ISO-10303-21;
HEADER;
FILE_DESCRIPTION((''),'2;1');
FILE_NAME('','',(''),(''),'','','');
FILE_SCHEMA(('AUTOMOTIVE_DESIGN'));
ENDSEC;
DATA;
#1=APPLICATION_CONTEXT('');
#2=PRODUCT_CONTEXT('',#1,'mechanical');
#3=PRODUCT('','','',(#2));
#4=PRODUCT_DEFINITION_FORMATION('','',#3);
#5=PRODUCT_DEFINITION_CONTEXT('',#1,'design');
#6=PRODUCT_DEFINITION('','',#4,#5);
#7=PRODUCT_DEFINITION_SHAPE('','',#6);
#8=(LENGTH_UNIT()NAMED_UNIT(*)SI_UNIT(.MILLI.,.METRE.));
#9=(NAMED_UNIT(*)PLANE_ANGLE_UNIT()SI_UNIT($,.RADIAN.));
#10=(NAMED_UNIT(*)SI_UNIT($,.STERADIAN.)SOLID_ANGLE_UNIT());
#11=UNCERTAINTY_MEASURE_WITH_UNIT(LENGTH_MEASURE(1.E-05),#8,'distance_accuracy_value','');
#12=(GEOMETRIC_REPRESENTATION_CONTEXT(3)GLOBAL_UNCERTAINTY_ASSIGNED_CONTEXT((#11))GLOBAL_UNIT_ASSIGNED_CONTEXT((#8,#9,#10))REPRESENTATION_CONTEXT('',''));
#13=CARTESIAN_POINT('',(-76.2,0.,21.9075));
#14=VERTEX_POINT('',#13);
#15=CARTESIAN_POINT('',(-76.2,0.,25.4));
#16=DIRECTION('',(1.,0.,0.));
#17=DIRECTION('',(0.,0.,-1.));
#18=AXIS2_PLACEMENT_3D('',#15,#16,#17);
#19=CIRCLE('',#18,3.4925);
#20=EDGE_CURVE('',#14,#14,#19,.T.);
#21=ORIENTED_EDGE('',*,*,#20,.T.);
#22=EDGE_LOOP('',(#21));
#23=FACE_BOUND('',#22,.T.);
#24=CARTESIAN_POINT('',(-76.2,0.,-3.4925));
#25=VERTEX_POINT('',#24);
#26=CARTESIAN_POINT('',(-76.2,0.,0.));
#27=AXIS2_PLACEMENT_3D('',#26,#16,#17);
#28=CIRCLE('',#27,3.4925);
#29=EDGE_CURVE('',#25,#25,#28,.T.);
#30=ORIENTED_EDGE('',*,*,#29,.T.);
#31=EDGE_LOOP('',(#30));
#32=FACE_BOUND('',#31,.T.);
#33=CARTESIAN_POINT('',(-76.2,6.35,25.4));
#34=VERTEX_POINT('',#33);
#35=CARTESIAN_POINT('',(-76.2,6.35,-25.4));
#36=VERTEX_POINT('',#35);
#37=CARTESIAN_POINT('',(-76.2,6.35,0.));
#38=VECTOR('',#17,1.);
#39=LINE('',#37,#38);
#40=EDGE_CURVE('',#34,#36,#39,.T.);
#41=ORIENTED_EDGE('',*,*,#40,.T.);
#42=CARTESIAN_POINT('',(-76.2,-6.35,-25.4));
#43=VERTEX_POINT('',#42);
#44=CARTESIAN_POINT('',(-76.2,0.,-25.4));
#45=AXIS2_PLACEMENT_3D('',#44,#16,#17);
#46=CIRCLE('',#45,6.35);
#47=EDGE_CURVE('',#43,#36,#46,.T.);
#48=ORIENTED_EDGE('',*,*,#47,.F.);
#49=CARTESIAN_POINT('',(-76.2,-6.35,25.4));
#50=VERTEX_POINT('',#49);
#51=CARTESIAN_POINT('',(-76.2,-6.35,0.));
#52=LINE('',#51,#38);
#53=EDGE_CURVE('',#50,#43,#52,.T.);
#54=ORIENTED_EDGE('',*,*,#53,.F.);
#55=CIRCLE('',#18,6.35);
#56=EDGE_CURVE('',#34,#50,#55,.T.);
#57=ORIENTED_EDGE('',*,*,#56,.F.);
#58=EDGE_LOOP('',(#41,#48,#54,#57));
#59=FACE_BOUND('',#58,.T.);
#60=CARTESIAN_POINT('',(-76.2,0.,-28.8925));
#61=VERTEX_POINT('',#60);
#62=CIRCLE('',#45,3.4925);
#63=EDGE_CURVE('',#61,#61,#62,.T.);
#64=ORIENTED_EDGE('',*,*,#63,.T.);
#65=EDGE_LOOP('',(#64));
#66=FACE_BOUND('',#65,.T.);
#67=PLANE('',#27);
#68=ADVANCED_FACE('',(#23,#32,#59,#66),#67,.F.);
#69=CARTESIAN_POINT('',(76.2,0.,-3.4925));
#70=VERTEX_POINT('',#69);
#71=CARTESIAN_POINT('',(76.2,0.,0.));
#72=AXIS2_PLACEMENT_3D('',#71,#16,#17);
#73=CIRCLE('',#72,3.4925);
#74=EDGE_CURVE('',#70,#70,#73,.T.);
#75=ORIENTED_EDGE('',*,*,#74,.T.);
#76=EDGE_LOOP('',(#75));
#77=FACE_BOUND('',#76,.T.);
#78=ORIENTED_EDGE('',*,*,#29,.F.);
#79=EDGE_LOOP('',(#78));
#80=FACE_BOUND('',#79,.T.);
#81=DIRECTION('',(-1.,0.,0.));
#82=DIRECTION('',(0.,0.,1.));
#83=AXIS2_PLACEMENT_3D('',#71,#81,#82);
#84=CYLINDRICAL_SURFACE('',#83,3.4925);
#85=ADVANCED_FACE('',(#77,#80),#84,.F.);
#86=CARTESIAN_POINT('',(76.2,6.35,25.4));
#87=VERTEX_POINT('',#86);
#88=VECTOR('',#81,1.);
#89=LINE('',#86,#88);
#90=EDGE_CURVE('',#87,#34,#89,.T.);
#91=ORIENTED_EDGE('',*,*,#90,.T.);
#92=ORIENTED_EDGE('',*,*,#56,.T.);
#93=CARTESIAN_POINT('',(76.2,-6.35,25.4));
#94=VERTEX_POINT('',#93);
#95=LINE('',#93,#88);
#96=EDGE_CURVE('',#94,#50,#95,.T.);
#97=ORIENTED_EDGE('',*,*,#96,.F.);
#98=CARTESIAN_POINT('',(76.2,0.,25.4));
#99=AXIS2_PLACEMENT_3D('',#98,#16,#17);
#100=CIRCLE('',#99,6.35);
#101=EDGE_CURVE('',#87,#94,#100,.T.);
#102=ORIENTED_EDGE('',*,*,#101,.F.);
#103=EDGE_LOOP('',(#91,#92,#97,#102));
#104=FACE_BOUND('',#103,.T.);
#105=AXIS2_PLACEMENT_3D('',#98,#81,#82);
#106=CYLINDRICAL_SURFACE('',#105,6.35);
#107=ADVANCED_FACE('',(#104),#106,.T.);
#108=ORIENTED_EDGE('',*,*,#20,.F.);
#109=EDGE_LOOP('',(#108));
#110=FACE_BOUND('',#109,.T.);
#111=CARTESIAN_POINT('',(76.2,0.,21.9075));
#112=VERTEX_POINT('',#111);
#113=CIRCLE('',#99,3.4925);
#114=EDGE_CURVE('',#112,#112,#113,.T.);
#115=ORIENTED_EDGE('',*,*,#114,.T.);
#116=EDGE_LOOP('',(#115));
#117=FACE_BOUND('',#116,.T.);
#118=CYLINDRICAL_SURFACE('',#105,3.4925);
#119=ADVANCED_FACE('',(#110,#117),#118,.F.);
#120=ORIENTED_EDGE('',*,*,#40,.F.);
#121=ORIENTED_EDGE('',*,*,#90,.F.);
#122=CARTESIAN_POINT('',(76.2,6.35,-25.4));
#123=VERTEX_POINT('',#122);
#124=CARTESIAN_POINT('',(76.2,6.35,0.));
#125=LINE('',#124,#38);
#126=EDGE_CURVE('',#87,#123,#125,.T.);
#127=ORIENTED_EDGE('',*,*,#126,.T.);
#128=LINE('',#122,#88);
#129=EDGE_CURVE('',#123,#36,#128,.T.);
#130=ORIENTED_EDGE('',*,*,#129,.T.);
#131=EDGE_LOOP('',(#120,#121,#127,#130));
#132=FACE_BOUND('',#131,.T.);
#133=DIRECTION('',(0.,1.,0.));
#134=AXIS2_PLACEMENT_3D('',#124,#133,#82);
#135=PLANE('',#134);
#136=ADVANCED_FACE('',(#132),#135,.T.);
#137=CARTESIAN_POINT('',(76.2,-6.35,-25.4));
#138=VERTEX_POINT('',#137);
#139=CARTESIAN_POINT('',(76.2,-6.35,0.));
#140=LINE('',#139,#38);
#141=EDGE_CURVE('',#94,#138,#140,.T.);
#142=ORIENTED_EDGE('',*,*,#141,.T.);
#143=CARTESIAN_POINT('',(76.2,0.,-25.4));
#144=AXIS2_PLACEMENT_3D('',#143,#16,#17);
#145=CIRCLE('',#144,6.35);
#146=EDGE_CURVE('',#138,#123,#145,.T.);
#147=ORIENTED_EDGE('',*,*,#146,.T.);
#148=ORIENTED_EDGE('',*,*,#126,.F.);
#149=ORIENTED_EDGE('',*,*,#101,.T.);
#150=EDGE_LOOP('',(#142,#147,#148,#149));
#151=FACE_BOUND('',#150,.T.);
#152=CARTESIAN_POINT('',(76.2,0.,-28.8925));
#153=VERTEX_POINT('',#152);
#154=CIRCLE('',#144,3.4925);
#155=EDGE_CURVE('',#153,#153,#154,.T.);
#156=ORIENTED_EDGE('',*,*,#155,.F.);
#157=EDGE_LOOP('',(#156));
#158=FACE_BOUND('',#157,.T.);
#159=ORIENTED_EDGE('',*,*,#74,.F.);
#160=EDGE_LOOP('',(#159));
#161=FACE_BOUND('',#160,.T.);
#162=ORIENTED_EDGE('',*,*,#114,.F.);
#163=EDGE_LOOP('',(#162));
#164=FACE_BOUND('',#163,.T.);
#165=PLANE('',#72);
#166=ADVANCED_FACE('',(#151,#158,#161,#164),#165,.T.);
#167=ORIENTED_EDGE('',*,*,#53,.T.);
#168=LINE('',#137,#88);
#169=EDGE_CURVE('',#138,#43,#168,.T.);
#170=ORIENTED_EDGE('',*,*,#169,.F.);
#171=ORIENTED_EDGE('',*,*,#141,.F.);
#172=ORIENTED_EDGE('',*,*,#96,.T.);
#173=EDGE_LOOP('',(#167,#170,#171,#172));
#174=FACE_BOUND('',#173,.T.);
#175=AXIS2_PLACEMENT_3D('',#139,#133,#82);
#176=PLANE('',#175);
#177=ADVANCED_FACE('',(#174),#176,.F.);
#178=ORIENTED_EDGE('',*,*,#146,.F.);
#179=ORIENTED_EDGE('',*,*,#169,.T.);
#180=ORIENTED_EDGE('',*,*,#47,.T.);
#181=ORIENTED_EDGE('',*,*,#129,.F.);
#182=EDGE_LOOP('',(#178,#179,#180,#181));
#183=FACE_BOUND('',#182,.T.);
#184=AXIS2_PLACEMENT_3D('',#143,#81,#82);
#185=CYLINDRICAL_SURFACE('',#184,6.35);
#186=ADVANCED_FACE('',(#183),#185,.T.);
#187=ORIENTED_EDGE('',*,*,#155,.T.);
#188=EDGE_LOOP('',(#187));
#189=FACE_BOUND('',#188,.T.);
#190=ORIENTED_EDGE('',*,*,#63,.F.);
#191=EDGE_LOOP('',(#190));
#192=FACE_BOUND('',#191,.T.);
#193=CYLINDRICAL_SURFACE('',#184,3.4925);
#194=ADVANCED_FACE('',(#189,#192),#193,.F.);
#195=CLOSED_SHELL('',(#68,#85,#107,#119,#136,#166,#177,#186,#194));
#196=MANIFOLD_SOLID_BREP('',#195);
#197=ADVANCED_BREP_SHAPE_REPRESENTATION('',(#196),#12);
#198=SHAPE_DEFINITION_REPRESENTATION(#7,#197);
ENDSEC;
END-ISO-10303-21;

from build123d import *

# Parameters (mm, degrees)
SKETCH1_R           = 3.4925
BOSS_EXTRUDE1_DEPTH = 76.2


with BuildPart() as part:
    # Sketch1 → Boss-Extrude1 (new body, symmetric)
    with BuildSketch(Plane(origin=(0, 0, 0), x_dir=(0, 0, -1), z_dir=(1, 0, 0))):
        with BuildLine():
            Line((-25.4, -6.35), (25.4, -6.35))
            ThreePointArc((25.4, -6.35), (31.75, 0), (25.4, 6.35))
            Line((25.4, 6.35), (-25.4, 6.35))
            ThreePointArc((-25.4, 6.35), (-31.75, 0), (-25.4, -6.35))
        make_face()
        with Locations((-25.4, 0)):
            Circle(SKETCH1_R, mode=Mode.SUBTRACT)
        with Locations((25.4, 0)):
            Circle(SKETCH1_R, mode=Mode.SUBTRACT)
        Circle(SKETCH1_R, mode=Mode.SUBTRACT)
    extrude(amount=BOSS_EXTRUDE1_DEPTH, both=True)


solid = part.part
